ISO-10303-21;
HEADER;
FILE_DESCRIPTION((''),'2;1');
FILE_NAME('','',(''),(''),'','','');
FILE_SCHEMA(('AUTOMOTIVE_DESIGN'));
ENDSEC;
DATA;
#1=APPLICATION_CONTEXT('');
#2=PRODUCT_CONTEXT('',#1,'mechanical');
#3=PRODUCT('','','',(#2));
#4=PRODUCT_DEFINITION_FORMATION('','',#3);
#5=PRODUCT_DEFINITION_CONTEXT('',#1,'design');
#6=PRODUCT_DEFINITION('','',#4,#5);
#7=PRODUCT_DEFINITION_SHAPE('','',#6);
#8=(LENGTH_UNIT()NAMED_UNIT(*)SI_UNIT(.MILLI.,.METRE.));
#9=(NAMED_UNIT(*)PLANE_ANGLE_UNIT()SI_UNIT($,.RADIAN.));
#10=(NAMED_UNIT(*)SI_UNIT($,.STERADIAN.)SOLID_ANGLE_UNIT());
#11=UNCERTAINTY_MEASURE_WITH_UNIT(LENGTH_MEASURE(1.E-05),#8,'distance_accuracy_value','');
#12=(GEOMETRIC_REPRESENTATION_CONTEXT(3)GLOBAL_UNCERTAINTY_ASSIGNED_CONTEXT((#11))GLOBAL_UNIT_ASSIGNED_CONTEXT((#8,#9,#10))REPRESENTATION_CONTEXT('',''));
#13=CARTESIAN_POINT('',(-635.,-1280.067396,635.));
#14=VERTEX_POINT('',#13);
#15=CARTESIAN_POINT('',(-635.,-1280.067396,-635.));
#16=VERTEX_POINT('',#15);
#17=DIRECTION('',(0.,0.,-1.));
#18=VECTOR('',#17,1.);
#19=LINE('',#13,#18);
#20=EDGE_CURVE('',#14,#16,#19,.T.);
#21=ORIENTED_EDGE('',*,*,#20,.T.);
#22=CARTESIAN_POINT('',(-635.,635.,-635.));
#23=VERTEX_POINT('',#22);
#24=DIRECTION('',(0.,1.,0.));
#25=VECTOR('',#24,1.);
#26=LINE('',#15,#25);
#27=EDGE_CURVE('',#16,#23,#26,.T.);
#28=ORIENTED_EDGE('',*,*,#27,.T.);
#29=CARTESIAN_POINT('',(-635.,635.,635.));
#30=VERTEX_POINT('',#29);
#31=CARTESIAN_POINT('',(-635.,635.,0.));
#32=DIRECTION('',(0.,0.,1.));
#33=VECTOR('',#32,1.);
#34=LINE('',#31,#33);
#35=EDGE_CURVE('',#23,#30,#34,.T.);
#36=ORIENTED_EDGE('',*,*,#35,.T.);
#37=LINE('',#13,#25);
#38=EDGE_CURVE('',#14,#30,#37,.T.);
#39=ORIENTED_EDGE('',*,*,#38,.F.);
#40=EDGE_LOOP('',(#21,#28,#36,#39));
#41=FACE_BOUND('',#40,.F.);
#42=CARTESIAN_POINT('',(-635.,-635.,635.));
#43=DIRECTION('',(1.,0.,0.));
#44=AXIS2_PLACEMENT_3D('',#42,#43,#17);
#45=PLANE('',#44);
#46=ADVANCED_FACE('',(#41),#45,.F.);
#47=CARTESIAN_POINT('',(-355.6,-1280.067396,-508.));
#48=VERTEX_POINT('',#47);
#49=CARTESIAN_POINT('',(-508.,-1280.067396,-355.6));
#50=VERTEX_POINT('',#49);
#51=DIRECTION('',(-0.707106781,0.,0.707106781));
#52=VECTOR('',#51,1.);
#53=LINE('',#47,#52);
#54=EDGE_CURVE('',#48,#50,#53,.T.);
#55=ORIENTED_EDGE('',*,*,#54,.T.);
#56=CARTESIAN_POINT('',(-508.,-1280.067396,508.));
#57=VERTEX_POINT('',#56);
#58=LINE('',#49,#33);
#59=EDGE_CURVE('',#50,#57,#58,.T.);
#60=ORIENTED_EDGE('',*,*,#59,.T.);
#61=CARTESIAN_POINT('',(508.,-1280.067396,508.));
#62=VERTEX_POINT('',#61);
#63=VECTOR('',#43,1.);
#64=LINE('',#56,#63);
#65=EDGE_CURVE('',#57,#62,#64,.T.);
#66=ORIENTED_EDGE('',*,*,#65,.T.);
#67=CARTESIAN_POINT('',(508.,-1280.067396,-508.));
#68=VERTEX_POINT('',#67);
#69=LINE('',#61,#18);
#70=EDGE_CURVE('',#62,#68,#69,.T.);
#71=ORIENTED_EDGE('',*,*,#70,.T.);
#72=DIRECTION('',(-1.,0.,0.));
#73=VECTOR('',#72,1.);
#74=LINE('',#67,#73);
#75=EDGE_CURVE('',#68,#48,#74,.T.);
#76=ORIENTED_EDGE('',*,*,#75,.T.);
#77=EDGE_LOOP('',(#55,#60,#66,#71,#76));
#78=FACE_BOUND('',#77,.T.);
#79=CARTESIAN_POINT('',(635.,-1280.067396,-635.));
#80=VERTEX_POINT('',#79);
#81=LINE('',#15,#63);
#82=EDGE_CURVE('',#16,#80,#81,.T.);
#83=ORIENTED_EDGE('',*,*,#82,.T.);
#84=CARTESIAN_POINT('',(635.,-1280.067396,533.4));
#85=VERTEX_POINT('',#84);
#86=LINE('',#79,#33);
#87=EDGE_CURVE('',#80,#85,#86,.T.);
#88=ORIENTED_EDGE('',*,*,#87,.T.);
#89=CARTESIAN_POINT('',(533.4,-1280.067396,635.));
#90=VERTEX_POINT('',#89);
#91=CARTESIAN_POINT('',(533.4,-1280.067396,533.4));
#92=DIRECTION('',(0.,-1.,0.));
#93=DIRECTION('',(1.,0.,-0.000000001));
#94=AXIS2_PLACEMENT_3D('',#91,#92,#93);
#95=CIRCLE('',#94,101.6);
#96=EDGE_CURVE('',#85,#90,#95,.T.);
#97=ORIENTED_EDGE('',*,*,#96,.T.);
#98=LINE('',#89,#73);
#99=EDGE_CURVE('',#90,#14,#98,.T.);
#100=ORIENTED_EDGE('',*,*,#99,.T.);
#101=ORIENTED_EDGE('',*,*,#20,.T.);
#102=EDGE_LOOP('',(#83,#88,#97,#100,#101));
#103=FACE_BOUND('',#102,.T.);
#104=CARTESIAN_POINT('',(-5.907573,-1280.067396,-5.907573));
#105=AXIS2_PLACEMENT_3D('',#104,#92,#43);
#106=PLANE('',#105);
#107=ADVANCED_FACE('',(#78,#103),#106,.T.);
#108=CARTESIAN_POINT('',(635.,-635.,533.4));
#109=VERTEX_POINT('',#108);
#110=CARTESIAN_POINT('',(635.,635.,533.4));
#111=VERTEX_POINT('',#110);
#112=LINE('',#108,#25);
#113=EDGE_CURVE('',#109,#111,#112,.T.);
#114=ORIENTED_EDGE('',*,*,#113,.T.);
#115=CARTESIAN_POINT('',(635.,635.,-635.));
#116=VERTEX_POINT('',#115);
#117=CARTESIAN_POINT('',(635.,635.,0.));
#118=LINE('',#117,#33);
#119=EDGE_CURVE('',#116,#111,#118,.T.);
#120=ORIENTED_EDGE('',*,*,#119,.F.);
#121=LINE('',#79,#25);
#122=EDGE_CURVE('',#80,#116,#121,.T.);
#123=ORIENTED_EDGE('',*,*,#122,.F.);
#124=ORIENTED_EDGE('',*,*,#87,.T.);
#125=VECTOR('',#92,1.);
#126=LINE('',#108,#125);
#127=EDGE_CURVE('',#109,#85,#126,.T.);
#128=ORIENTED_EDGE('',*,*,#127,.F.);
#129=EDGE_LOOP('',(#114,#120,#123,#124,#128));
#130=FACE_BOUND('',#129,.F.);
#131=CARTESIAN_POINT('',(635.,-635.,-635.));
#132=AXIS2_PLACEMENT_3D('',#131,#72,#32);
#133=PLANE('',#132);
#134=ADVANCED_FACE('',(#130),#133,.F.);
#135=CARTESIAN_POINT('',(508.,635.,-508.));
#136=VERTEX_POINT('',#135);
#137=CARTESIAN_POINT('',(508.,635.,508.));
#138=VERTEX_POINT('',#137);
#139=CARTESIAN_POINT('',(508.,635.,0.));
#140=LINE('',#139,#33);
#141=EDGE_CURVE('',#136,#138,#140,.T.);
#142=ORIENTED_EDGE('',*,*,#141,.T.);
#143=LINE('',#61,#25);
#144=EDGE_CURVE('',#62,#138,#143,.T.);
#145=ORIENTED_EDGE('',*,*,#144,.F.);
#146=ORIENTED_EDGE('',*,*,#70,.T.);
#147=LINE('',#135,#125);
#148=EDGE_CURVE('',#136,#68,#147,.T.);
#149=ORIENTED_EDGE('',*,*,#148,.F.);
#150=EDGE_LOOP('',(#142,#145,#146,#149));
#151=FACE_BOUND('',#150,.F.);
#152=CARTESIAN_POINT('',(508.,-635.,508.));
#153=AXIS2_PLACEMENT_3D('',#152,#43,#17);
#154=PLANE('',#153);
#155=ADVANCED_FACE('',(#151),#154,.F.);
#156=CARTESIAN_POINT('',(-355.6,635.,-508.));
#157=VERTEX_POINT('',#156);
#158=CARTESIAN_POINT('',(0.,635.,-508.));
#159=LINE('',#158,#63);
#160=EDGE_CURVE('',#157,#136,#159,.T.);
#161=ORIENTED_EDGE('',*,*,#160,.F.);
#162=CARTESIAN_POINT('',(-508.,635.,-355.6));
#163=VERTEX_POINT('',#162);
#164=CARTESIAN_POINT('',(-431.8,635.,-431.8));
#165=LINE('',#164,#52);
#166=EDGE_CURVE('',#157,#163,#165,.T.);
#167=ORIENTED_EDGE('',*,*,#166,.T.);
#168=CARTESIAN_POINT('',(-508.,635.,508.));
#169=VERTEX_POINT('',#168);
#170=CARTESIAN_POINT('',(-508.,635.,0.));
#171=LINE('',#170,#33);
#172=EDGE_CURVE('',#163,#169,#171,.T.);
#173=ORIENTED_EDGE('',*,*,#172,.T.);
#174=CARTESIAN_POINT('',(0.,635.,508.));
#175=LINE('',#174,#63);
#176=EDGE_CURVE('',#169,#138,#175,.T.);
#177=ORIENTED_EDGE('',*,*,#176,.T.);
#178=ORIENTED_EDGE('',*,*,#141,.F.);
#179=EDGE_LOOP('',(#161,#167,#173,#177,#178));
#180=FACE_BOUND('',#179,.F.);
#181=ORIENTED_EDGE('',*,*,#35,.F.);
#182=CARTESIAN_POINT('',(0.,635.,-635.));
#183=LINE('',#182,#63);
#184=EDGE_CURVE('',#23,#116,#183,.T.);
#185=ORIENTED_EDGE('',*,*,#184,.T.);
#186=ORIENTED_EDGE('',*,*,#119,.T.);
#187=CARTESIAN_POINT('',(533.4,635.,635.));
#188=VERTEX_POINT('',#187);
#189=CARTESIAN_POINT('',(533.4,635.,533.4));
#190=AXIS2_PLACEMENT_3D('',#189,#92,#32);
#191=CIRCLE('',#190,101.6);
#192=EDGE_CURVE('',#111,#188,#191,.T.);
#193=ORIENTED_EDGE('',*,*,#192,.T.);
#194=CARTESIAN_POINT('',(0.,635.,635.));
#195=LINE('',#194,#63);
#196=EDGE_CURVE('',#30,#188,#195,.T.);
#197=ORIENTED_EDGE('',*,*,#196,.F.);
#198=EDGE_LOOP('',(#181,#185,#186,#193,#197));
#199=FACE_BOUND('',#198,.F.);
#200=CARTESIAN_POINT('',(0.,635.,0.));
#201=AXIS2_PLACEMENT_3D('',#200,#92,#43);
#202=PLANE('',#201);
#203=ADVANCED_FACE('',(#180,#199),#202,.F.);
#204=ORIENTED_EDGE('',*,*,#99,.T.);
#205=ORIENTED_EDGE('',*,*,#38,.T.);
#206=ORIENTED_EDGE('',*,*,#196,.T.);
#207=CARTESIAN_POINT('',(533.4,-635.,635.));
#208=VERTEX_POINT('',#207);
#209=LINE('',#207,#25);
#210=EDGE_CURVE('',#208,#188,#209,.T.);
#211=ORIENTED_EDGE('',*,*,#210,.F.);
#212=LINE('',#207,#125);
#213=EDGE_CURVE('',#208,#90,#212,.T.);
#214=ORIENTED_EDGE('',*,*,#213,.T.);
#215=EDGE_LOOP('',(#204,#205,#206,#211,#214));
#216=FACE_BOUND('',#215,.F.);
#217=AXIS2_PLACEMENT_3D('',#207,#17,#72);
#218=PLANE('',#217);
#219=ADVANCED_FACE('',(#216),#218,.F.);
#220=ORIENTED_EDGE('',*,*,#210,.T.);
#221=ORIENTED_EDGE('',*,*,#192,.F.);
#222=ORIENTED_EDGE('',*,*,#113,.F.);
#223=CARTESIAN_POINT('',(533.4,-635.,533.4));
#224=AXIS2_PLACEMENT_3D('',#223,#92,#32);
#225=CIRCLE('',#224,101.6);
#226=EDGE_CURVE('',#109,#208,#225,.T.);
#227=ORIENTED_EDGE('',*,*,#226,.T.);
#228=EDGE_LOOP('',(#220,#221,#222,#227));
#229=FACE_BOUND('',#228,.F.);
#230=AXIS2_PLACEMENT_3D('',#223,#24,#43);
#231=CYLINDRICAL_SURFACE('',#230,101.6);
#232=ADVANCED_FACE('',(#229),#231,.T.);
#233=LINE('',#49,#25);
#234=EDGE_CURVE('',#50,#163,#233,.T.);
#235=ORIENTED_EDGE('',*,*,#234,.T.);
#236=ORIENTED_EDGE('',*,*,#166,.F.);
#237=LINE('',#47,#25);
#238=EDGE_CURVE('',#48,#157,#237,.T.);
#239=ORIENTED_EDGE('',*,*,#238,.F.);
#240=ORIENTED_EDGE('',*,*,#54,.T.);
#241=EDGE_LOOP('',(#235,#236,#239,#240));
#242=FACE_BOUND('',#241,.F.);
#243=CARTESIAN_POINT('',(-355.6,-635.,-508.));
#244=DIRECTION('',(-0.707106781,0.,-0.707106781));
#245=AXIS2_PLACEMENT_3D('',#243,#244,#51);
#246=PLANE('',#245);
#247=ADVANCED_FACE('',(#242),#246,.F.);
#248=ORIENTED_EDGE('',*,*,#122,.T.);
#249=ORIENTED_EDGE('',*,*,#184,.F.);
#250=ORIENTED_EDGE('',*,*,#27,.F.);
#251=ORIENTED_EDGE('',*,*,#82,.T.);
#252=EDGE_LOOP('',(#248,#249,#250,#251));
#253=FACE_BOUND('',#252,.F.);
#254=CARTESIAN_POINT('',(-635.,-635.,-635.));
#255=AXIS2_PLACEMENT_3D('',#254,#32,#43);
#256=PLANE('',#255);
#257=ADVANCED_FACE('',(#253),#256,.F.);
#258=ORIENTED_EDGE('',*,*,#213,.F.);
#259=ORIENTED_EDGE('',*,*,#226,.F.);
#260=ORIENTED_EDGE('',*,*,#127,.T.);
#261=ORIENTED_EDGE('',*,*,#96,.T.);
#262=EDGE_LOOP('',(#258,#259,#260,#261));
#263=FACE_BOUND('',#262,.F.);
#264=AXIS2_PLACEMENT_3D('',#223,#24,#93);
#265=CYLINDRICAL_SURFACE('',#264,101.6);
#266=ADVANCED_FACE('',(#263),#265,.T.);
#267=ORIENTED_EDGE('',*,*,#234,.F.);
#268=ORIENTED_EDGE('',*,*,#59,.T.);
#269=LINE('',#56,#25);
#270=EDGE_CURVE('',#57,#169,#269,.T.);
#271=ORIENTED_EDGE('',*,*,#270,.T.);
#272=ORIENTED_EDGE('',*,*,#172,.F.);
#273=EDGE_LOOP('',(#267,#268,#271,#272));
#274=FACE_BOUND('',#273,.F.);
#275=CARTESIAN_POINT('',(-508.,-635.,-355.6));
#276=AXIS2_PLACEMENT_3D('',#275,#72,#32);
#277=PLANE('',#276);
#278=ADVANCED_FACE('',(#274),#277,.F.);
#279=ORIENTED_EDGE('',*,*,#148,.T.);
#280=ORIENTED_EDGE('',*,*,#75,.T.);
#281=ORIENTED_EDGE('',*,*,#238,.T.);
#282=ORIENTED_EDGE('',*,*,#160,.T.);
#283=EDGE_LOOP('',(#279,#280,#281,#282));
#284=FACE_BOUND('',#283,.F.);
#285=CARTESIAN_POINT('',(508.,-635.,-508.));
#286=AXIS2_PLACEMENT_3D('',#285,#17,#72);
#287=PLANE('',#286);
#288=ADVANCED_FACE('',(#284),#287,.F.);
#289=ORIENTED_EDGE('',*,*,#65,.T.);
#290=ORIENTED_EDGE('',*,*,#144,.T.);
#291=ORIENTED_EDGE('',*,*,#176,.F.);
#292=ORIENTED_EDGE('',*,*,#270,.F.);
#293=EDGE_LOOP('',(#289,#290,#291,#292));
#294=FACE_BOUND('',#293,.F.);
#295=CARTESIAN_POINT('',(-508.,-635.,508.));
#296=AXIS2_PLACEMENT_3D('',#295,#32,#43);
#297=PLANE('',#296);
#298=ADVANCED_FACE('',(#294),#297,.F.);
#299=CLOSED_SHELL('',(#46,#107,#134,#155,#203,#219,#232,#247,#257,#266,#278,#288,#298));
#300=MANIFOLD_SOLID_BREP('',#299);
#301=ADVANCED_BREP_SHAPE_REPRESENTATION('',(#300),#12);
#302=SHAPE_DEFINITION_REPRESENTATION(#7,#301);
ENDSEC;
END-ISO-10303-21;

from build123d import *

# Parameters (mm, degrees)
F0_W     = 1270
F0_H     = 1270
F0_W_2   = 1016
F0_H_2   = 1016
F1_DEPTH = 635
F2_R     = 101.6
F3_SIZE  = 152.4
F4_DEPTH = 645.067396


with BuildPart() as f1:
    # F0 (on Front) → F1 (new body, symmetric)
    with BuildSketch(Plane.XZ):
        Rectangle(F0_W, F0_H)
        Rectangle(F0_W_2, F0_H_2, mode=Mode.SUBTRACT)
    extrude(amount=F1_DEPTH, both=True)

    # F2
    f2_edges = [f1.edges().sort_by_distance(p)[0] for p in [
        (635, 0, 635),
    ]]
    fillet(f2_edges, radius=F2_R)

    # F3
    f3_edges = [f1.edges().sort_by_distance(p)[0] for p in [
        (-508, 0, -508),
    ]]
    chamfer(f3_edges, length=F3_SIZE)

    # F1_face (on face) → F4 (join)
    with BuildSketch(Plane(origin=(-11.297191, -635, -11.297191), x_dir=(1, 0, 0), z_dir=(0, -1, 0))):
        with BuildLine():
            Line((646.297191, -623.702809), (646.297191, 544.697191))
            ThreePointArc((646.297191, 544.697191), (616.53924, 616.53924), (544.697191, 646.297191))
            Line((544.697191, 646.297191), (-623.702809, 646.297191))
            Line((-623.702809, 646.297191), (-623.702809, -623.702809))
            Line((-623.702809, -623.702809), (646.297191, -623.702809))
        make_face()
        Polygon((519.297191, -496.702809), (-344.302809, -496.702809), (-496.702809, -344.302809), (-496.702809, 519.297191), (519.297191, 519.297191), align=None, mode=Mode.SUBTRACT)
    extrude(amount=F4_DEPTH)


solid = f1.part
